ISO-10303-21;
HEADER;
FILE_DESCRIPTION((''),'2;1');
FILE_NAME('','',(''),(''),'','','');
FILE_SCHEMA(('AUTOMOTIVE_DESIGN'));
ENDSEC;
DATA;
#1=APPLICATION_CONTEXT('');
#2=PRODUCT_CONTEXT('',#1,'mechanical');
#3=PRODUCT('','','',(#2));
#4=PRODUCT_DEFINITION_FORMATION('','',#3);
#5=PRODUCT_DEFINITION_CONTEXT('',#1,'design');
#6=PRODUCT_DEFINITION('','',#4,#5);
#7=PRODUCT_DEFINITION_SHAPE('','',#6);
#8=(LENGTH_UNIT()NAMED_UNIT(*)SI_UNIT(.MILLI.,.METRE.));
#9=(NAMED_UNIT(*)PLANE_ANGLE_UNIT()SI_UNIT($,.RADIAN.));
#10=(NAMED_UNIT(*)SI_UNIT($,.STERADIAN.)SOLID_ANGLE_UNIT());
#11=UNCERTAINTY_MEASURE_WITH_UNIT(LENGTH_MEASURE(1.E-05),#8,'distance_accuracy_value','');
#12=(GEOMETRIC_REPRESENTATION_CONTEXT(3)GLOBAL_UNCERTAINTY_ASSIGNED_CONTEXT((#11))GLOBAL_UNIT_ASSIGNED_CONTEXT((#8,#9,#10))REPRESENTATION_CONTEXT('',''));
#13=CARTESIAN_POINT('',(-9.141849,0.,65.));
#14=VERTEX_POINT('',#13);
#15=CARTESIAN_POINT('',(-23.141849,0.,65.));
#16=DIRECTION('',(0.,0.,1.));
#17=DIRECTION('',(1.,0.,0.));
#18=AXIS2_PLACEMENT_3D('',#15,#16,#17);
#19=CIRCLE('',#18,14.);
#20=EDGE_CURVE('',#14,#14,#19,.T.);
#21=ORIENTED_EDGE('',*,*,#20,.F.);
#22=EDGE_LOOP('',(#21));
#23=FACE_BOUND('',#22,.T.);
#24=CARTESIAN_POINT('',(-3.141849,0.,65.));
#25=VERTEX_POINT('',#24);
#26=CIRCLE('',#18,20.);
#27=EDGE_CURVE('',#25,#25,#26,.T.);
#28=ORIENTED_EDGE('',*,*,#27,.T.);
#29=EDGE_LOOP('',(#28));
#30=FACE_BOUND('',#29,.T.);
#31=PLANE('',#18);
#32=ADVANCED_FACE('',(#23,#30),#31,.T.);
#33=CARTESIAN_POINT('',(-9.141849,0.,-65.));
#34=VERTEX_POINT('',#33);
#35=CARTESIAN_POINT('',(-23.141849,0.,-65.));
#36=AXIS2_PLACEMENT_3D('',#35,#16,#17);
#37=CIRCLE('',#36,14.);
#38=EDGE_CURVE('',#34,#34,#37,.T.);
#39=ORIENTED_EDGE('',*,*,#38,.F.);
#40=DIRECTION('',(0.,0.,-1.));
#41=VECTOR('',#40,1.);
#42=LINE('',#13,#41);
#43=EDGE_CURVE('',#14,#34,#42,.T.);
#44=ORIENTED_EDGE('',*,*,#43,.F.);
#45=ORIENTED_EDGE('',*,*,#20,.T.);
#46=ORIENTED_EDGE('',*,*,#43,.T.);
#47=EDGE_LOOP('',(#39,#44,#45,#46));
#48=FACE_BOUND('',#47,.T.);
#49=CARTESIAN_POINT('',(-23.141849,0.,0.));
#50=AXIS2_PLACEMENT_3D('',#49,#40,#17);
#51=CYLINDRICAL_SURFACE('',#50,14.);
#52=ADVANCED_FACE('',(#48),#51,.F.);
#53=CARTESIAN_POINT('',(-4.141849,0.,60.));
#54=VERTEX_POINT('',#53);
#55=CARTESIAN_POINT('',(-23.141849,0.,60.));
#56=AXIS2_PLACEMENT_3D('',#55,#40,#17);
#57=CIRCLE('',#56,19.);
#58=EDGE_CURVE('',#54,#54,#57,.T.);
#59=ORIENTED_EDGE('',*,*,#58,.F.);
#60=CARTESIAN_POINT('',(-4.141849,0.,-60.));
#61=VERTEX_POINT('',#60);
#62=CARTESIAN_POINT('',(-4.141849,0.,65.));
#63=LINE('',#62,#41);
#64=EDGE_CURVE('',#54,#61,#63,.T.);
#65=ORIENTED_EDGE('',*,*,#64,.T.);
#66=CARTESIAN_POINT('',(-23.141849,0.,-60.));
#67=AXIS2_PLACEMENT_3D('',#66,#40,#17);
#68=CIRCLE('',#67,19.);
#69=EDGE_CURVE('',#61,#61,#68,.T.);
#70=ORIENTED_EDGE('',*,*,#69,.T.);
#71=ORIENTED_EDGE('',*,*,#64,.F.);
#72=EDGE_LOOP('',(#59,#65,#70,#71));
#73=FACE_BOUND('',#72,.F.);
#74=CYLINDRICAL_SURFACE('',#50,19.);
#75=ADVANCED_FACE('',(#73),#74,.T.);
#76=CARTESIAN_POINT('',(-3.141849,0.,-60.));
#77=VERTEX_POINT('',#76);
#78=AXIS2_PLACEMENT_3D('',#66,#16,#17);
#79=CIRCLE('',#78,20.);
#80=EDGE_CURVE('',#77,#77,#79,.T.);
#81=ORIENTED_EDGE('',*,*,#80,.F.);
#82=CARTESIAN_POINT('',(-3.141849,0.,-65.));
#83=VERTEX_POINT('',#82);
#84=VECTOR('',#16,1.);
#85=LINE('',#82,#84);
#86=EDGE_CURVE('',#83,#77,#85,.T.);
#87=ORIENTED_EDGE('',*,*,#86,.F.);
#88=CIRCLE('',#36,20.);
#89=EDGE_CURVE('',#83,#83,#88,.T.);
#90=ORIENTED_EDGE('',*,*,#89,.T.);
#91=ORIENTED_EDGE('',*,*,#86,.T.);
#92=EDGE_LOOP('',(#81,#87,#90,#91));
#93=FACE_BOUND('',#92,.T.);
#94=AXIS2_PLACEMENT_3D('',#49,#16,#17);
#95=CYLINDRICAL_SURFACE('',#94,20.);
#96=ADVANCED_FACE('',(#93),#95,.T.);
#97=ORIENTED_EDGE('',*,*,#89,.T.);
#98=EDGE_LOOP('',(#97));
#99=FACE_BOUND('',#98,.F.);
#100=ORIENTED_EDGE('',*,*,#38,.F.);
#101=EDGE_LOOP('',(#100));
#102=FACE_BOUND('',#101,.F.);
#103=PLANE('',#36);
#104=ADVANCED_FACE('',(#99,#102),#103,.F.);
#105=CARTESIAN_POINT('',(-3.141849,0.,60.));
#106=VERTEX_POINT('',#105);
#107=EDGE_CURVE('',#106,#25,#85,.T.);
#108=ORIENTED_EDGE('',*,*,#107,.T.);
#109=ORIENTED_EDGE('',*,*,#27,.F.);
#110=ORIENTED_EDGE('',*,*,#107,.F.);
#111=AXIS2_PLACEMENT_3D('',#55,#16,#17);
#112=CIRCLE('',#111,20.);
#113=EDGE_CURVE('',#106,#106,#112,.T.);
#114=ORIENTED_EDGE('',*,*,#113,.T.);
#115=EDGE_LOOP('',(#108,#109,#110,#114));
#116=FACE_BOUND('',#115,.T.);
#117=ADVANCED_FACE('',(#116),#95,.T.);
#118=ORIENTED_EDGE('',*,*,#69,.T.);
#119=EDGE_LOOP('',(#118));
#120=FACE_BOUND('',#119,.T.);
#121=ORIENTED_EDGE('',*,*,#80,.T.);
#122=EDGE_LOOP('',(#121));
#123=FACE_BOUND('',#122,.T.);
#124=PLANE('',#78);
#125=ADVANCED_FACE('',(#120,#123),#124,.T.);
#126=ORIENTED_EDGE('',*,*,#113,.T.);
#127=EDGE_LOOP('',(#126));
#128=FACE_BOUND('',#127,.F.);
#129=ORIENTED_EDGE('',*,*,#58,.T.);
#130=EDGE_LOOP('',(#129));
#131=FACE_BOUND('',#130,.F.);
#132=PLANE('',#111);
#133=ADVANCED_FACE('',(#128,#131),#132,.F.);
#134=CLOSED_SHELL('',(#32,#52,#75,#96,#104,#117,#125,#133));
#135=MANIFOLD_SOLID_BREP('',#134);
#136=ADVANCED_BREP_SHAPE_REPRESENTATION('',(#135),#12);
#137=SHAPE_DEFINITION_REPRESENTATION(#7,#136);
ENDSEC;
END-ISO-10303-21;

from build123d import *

# Parameters (mm, degrees)
F0_R     = 20
F0_R_2   = 14
F1_DEPTH = 65
F2_T     = -5


with BuildPart() as f1:
    # F0 (on Top) → F1 (new body, symmetric)
    with BuildSketch(Plane.XY):
        with Locations((-23.141849, 0)):
            Circle(F0_R)
        with Locations((-23.141849, 0)):
            Circle(F0_R_2, mode=Mode.SUBTRACT)
    extrude(amount=F1_DEPTH, both=True)

    # F2
    f2_openings = [f1.faces().sort_by_distance(p)[0] for p in [
        (-43.141849, 0, 0),
    ]]
    offset(amount=F2_T, openings=f2_openings)


solid = f1.part
